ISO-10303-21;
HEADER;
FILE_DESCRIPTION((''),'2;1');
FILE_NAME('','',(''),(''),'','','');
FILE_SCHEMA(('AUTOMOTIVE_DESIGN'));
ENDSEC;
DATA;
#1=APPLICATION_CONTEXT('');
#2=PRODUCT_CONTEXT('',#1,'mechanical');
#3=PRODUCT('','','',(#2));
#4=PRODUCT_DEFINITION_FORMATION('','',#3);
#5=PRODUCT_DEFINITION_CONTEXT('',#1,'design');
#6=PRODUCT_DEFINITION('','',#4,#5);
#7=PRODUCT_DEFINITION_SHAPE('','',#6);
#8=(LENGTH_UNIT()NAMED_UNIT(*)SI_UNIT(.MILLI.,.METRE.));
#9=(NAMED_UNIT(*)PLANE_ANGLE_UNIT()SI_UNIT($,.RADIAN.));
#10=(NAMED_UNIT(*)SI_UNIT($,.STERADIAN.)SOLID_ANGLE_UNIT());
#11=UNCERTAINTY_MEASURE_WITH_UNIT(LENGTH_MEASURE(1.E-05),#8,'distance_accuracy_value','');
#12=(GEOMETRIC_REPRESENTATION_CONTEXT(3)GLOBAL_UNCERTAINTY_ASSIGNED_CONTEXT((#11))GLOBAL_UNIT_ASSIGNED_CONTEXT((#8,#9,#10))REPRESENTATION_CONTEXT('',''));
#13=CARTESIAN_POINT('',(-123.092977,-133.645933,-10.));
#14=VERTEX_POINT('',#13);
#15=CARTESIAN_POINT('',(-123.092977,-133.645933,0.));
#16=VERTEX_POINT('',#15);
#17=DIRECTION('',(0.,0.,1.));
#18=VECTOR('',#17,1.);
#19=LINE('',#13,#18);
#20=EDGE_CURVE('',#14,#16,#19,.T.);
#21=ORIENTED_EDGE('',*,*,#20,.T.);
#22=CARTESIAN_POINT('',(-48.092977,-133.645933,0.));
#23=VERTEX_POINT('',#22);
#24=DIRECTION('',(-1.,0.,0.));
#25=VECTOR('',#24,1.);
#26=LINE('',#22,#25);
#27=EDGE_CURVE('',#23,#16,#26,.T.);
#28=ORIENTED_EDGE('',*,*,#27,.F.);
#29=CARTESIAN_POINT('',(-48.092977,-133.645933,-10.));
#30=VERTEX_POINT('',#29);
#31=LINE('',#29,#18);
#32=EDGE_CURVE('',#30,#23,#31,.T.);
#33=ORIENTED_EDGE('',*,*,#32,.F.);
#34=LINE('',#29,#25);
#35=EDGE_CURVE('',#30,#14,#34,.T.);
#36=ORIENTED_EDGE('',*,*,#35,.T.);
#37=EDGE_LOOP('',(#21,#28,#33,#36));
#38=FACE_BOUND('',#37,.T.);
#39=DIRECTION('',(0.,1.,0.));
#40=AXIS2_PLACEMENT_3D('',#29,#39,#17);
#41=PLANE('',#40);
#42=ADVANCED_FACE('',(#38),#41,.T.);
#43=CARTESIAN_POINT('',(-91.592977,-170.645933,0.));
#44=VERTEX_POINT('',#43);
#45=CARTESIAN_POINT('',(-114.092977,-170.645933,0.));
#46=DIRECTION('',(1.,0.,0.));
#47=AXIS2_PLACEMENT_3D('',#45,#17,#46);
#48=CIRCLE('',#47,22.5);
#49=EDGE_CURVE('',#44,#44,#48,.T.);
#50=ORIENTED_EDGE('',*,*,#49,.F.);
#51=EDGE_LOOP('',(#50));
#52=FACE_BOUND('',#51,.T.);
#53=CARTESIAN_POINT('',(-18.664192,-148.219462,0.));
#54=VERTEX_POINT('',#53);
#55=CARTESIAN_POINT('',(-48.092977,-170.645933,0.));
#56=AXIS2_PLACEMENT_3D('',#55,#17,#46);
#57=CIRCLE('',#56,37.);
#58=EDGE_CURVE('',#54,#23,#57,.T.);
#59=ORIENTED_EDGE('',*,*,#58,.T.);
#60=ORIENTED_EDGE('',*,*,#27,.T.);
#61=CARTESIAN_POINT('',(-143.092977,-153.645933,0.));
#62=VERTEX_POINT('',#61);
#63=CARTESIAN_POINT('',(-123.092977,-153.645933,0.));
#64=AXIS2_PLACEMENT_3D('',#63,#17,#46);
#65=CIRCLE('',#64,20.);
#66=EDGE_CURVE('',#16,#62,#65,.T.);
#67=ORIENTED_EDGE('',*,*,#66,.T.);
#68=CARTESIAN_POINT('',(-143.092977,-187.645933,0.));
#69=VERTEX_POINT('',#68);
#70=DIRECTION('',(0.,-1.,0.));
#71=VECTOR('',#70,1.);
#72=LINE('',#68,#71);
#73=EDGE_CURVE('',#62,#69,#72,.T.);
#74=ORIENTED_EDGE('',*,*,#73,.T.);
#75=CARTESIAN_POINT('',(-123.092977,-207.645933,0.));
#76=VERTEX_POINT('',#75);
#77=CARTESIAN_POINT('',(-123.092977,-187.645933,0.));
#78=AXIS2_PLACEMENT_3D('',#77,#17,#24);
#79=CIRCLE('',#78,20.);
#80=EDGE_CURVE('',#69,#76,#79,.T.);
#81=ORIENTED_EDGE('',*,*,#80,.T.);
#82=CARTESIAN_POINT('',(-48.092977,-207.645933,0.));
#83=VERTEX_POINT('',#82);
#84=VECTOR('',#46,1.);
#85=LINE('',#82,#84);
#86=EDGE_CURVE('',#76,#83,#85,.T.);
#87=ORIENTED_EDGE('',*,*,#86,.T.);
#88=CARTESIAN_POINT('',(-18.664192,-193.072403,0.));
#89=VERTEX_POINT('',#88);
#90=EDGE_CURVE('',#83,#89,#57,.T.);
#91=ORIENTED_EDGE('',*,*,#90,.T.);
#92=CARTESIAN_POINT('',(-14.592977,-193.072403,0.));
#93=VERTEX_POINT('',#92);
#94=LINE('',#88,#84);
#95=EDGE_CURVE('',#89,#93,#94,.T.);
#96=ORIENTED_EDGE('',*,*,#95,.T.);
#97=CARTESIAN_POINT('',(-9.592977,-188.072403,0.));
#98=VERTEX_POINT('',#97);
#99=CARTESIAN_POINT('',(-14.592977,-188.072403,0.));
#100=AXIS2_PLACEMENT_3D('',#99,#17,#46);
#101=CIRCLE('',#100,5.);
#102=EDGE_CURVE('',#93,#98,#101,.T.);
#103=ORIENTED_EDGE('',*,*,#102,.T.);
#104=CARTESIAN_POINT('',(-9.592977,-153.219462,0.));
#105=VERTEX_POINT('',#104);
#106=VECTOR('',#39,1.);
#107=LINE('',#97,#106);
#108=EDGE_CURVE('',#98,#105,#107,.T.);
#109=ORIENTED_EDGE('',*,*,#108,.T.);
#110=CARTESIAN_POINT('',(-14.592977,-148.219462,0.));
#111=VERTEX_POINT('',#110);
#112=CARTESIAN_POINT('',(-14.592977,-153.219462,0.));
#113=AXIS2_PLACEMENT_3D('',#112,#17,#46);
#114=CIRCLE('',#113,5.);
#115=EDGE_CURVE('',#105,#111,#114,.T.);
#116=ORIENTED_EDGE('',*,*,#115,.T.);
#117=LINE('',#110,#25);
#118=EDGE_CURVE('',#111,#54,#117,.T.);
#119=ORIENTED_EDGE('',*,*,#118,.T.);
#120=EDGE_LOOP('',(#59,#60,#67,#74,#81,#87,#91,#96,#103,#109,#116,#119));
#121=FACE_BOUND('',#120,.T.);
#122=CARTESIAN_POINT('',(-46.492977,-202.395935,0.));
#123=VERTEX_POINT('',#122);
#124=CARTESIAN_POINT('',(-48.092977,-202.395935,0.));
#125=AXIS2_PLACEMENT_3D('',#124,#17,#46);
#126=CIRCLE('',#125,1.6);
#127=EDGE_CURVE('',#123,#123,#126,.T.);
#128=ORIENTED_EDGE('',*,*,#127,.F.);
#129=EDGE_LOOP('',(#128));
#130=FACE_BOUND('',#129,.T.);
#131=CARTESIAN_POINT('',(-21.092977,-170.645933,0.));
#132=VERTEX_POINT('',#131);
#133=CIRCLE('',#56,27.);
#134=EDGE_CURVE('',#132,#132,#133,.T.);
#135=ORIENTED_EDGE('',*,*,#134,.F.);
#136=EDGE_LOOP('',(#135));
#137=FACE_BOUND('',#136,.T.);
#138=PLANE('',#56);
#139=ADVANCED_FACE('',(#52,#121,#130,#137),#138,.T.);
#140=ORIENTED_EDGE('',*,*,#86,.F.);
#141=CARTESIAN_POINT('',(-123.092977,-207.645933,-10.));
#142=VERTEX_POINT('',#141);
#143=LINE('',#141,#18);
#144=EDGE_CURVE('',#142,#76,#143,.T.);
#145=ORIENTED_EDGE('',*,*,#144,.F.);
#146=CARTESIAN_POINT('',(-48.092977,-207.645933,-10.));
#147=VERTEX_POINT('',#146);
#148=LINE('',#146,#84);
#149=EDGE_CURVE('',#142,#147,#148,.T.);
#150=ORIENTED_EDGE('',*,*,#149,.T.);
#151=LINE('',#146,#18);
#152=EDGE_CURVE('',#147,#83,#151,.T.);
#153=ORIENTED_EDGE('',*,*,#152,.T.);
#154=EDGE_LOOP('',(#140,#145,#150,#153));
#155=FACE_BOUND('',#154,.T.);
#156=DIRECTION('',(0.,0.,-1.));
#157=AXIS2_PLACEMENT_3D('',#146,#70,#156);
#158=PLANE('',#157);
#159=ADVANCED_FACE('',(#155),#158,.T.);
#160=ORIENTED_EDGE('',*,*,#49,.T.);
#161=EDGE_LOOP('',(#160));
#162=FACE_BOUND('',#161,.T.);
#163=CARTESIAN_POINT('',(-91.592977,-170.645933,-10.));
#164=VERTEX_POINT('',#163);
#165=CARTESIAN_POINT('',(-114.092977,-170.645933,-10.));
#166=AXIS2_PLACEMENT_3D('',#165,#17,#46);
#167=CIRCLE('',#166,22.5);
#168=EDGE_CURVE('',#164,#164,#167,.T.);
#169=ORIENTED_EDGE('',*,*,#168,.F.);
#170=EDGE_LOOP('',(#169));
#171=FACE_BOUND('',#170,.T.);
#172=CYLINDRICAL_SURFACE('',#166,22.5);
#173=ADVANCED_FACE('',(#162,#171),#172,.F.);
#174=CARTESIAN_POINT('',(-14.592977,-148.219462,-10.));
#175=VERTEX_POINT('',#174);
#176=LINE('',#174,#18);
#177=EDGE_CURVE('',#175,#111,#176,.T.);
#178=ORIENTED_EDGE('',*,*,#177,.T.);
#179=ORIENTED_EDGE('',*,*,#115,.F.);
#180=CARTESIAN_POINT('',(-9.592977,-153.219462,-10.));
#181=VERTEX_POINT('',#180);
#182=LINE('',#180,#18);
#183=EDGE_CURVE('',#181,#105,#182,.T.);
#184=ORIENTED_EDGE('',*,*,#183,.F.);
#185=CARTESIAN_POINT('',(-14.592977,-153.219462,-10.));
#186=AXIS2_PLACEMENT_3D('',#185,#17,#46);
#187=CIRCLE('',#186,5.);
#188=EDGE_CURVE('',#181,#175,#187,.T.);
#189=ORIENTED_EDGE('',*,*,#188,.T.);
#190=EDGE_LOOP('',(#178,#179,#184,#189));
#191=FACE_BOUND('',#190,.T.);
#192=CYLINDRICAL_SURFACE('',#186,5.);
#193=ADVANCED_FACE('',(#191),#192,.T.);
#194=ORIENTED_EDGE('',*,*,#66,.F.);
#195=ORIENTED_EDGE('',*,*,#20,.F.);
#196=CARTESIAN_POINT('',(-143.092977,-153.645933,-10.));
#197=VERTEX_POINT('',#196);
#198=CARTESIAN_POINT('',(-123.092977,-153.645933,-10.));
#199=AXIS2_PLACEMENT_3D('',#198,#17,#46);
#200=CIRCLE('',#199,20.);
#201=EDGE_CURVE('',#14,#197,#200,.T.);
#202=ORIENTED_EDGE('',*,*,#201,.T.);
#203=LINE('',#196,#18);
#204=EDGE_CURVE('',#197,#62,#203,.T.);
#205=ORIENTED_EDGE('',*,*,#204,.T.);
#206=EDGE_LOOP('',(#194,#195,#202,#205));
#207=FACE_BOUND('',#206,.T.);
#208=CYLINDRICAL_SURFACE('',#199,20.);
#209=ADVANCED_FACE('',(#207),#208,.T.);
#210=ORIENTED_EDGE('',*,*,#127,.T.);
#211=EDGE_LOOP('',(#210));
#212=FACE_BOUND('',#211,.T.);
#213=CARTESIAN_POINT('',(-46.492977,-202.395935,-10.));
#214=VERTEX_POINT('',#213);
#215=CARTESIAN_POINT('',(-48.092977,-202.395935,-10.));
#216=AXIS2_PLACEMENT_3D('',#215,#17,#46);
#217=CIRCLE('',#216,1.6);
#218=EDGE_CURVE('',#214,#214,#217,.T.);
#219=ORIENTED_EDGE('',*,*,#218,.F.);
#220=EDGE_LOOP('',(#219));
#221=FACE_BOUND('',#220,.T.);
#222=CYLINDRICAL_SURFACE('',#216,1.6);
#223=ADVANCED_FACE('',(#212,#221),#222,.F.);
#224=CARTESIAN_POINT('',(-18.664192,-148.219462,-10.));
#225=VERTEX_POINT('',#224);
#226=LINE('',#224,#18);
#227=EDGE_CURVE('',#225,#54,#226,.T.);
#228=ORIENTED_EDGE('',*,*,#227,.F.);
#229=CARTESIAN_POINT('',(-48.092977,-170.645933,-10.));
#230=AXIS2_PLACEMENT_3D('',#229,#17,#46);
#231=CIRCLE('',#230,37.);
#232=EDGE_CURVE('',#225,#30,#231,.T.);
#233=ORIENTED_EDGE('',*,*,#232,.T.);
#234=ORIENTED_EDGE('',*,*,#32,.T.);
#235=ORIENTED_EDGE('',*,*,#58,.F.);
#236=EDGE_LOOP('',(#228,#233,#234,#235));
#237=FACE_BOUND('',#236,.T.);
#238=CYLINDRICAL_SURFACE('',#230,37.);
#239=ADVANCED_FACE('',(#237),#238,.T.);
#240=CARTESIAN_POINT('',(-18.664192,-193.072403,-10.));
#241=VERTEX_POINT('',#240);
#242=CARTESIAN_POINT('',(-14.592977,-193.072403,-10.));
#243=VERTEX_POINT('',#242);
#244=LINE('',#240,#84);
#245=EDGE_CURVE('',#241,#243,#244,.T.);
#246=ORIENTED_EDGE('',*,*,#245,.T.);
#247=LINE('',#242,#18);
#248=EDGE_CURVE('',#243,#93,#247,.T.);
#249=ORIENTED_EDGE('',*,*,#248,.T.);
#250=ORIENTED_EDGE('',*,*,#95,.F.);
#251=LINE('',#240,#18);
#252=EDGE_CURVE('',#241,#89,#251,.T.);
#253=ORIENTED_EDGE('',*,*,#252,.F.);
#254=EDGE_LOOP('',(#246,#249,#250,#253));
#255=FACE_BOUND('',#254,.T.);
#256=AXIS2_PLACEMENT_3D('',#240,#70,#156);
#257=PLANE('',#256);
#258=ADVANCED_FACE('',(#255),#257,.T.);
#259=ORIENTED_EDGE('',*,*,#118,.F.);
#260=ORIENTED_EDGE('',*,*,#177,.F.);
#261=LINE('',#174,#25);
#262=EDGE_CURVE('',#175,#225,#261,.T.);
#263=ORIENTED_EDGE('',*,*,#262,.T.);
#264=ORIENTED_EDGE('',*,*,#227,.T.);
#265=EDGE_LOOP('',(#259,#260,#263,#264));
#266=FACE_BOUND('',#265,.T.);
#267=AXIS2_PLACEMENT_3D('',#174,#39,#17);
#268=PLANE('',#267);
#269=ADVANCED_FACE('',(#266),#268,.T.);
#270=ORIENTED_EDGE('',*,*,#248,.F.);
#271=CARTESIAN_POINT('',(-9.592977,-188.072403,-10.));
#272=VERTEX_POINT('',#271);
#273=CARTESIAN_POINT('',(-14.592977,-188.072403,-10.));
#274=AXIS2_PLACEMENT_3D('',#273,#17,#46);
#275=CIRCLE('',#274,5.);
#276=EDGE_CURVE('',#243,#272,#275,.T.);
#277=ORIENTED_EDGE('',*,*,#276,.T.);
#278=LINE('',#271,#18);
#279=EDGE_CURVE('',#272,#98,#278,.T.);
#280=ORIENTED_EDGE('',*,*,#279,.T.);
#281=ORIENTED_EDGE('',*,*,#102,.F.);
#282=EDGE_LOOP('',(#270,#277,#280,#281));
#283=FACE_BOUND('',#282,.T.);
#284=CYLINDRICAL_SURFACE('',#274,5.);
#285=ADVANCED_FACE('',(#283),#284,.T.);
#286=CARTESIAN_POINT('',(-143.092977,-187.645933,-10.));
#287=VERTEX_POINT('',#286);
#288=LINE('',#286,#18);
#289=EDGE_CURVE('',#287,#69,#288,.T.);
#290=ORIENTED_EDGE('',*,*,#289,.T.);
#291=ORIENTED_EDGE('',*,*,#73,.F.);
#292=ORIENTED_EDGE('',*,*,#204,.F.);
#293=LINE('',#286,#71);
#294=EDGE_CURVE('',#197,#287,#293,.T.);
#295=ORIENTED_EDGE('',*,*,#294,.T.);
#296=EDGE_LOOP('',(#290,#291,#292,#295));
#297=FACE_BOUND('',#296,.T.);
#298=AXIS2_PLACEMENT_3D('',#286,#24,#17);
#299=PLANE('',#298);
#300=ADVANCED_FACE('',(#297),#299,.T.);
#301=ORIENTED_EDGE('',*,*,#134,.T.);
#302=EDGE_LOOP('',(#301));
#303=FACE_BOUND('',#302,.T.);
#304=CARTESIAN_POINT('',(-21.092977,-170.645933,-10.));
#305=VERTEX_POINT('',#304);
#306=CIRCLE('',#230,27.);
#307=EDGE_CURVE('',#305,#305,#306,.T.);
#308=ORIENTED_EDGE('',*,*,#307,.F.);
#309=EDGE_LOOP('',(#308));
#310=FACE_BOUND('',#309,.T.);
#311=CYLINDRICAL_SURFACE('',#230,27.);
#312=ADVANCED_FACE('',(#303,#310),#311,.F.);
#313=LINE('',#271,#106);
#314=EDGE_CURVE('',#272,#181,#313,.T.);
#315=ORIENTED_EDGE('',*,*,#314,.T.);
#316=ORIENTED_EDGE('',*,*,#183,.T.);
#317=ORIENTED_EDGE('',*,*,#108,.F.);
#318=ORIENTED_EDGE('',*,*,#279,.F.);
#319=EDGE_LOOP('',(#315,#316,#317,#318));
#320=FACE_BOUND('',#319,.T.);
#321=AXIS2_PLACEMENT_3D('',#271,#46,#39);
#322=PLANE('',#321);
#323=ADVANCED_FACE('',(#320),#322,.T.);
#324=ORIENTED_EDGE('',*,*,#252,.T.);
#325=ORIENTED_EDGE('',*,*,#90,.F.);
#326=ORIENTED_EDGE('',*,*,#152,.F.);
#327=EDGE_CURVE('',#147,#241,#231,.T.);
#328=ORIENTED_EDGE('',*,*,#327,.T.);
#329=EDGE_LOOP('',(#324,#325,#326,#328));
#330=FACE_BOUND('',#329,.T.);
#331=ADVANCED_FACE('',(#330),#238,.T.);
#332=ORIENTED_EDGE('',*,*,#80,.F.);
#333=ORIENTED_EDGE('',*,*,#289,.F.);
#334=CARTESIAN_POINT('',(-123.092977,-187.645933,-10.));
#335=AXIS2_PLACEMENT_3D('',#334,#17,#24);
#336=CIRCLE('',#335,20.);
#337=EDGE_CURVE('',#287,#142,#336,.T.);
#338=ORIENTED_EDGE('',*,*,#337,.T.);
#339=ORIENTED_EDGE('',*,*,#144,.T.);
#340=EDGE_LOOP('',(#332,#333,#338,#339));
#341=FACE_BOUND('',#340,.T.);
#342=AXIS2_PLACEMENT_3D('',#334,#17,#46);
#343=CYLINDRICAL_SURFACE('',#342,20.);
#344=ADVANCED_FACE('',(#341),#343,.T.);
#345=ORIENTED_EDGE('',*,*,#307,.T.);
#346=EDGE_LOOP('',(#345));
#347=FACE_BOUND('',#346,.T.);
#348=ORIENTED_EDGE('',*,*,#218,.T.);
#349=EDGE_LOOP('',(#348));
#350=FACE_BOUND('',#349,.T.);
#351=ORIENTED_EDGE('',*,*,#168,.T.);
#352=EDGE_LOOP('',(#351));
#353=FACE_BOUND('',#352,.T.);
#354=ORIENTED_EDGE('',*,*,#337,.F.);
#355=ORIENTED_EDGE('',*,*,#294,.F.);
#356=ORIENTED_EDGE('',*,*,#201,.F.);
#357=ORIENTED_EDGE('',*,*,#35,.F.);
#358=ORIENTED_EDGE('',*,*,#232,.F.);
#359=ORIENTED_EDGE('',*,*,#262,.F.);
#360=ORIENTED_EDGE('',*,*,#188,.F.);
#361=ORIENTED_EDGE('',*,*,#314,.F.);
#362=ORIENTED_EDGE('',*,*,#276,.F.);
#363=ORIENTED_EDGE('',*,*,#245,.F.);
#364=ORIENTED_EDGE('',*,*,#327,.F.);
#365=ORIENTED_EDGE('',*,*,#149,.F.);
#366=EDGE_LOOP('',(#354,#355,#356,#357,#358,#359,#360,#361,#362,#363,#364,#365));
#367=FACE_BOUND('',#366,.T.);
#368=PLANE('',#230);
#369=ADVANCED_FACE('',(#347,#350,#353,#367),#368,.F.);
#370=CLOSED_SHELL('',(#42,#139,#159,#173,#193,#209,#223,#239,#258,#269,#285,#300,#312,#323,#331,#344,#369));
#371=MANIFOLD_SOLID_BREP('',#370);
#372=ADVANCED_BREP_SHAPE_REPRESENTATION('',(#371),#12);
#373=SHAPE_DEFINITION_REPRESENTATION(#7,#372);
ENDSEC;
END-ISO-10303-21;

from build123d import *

# Parameters (mm, degrees)
SKETCH1_R           = 27
SKETCH1_R_2         = 22.5
BOSS_EXTRUDE1_DEPTH = 10
SKETCH2_R           = 1.6
CUT_EXTRUDE1_DEPTH  = 11


with BuildPart() as part:
    # Sketch1 → Boss-Extrude1 (new body)
    with BuildSketch(Plane.XY):
        with BuildLine():
            Line((-48.092977135, -207.645932851), (-123.092977135, -207.645932851))
            ThreePointArc((-123.092977135, -207.645932851), (-137.235112759, -201.788068475), (-143.092977135, -187.645932851))
            Line((-143.092977135, -187.645932851), (-143.092977135, -153.645932851))
            ThreePointArc((-143.092977135, -153.645932851), (-137.235112759, -139.503797227), (-123.092977135, -133.645932851))
            Line((-123.092977135, -133.645932851), (-48.092977135, -133.645932851))
            ThreePointArc((-48.092977135, -133.645932851), (-31.673163065, -137.488886754), (-18.664191619, -148.219462263))
            Line((-18.664191619, -148.219462263), (-14.592977135, -148.219462263))
            ThreePointArc((-14.592977135, -148.219462263), (-11.05744323, -149.683928357), (-9.592977135, -153.219462263))
            Line((-9.592977135, -153.219462263), (-9.592977135, -188.072403439))
            ThreePointArc((-9.592977135, -188.072403439), (-11.05744323, -191.607937345), (-14.592977135, -193.072403439))
            Line((-14.592977135, -193.072403439), (-18.664191619, -193.072403439))
            ThreePointArc((-18.664191619, -193.072403439), (-31.673163065, -203.802978948), (-48.092977135, -207.645932851))
        make_face()
        with Locations((-48.092977135, -170.645932851)):
            Circle(SKETCH1_R, mode=Mode.SUBTRACT)
        with Locations((-114.092977135, -170.645932851)):
            Circle(SKETCH1_R_2, mode=Mode.SUBTRACT)
    extrude(amount=-BOSS_EXTRUDE1_DEPTH)

    # Sketch2 → Cut-Extrude1 (cut, through all)
    with BuildSketch(Plane.XY):
        with Locations((-48.092977135, -202.395935058)):
            Circle(SKETCH2_R)
    extrude(amount=-CUT_EXTRUDE1_DEPTH, mode=Mode.SUBTRACT)


solid = part.part
